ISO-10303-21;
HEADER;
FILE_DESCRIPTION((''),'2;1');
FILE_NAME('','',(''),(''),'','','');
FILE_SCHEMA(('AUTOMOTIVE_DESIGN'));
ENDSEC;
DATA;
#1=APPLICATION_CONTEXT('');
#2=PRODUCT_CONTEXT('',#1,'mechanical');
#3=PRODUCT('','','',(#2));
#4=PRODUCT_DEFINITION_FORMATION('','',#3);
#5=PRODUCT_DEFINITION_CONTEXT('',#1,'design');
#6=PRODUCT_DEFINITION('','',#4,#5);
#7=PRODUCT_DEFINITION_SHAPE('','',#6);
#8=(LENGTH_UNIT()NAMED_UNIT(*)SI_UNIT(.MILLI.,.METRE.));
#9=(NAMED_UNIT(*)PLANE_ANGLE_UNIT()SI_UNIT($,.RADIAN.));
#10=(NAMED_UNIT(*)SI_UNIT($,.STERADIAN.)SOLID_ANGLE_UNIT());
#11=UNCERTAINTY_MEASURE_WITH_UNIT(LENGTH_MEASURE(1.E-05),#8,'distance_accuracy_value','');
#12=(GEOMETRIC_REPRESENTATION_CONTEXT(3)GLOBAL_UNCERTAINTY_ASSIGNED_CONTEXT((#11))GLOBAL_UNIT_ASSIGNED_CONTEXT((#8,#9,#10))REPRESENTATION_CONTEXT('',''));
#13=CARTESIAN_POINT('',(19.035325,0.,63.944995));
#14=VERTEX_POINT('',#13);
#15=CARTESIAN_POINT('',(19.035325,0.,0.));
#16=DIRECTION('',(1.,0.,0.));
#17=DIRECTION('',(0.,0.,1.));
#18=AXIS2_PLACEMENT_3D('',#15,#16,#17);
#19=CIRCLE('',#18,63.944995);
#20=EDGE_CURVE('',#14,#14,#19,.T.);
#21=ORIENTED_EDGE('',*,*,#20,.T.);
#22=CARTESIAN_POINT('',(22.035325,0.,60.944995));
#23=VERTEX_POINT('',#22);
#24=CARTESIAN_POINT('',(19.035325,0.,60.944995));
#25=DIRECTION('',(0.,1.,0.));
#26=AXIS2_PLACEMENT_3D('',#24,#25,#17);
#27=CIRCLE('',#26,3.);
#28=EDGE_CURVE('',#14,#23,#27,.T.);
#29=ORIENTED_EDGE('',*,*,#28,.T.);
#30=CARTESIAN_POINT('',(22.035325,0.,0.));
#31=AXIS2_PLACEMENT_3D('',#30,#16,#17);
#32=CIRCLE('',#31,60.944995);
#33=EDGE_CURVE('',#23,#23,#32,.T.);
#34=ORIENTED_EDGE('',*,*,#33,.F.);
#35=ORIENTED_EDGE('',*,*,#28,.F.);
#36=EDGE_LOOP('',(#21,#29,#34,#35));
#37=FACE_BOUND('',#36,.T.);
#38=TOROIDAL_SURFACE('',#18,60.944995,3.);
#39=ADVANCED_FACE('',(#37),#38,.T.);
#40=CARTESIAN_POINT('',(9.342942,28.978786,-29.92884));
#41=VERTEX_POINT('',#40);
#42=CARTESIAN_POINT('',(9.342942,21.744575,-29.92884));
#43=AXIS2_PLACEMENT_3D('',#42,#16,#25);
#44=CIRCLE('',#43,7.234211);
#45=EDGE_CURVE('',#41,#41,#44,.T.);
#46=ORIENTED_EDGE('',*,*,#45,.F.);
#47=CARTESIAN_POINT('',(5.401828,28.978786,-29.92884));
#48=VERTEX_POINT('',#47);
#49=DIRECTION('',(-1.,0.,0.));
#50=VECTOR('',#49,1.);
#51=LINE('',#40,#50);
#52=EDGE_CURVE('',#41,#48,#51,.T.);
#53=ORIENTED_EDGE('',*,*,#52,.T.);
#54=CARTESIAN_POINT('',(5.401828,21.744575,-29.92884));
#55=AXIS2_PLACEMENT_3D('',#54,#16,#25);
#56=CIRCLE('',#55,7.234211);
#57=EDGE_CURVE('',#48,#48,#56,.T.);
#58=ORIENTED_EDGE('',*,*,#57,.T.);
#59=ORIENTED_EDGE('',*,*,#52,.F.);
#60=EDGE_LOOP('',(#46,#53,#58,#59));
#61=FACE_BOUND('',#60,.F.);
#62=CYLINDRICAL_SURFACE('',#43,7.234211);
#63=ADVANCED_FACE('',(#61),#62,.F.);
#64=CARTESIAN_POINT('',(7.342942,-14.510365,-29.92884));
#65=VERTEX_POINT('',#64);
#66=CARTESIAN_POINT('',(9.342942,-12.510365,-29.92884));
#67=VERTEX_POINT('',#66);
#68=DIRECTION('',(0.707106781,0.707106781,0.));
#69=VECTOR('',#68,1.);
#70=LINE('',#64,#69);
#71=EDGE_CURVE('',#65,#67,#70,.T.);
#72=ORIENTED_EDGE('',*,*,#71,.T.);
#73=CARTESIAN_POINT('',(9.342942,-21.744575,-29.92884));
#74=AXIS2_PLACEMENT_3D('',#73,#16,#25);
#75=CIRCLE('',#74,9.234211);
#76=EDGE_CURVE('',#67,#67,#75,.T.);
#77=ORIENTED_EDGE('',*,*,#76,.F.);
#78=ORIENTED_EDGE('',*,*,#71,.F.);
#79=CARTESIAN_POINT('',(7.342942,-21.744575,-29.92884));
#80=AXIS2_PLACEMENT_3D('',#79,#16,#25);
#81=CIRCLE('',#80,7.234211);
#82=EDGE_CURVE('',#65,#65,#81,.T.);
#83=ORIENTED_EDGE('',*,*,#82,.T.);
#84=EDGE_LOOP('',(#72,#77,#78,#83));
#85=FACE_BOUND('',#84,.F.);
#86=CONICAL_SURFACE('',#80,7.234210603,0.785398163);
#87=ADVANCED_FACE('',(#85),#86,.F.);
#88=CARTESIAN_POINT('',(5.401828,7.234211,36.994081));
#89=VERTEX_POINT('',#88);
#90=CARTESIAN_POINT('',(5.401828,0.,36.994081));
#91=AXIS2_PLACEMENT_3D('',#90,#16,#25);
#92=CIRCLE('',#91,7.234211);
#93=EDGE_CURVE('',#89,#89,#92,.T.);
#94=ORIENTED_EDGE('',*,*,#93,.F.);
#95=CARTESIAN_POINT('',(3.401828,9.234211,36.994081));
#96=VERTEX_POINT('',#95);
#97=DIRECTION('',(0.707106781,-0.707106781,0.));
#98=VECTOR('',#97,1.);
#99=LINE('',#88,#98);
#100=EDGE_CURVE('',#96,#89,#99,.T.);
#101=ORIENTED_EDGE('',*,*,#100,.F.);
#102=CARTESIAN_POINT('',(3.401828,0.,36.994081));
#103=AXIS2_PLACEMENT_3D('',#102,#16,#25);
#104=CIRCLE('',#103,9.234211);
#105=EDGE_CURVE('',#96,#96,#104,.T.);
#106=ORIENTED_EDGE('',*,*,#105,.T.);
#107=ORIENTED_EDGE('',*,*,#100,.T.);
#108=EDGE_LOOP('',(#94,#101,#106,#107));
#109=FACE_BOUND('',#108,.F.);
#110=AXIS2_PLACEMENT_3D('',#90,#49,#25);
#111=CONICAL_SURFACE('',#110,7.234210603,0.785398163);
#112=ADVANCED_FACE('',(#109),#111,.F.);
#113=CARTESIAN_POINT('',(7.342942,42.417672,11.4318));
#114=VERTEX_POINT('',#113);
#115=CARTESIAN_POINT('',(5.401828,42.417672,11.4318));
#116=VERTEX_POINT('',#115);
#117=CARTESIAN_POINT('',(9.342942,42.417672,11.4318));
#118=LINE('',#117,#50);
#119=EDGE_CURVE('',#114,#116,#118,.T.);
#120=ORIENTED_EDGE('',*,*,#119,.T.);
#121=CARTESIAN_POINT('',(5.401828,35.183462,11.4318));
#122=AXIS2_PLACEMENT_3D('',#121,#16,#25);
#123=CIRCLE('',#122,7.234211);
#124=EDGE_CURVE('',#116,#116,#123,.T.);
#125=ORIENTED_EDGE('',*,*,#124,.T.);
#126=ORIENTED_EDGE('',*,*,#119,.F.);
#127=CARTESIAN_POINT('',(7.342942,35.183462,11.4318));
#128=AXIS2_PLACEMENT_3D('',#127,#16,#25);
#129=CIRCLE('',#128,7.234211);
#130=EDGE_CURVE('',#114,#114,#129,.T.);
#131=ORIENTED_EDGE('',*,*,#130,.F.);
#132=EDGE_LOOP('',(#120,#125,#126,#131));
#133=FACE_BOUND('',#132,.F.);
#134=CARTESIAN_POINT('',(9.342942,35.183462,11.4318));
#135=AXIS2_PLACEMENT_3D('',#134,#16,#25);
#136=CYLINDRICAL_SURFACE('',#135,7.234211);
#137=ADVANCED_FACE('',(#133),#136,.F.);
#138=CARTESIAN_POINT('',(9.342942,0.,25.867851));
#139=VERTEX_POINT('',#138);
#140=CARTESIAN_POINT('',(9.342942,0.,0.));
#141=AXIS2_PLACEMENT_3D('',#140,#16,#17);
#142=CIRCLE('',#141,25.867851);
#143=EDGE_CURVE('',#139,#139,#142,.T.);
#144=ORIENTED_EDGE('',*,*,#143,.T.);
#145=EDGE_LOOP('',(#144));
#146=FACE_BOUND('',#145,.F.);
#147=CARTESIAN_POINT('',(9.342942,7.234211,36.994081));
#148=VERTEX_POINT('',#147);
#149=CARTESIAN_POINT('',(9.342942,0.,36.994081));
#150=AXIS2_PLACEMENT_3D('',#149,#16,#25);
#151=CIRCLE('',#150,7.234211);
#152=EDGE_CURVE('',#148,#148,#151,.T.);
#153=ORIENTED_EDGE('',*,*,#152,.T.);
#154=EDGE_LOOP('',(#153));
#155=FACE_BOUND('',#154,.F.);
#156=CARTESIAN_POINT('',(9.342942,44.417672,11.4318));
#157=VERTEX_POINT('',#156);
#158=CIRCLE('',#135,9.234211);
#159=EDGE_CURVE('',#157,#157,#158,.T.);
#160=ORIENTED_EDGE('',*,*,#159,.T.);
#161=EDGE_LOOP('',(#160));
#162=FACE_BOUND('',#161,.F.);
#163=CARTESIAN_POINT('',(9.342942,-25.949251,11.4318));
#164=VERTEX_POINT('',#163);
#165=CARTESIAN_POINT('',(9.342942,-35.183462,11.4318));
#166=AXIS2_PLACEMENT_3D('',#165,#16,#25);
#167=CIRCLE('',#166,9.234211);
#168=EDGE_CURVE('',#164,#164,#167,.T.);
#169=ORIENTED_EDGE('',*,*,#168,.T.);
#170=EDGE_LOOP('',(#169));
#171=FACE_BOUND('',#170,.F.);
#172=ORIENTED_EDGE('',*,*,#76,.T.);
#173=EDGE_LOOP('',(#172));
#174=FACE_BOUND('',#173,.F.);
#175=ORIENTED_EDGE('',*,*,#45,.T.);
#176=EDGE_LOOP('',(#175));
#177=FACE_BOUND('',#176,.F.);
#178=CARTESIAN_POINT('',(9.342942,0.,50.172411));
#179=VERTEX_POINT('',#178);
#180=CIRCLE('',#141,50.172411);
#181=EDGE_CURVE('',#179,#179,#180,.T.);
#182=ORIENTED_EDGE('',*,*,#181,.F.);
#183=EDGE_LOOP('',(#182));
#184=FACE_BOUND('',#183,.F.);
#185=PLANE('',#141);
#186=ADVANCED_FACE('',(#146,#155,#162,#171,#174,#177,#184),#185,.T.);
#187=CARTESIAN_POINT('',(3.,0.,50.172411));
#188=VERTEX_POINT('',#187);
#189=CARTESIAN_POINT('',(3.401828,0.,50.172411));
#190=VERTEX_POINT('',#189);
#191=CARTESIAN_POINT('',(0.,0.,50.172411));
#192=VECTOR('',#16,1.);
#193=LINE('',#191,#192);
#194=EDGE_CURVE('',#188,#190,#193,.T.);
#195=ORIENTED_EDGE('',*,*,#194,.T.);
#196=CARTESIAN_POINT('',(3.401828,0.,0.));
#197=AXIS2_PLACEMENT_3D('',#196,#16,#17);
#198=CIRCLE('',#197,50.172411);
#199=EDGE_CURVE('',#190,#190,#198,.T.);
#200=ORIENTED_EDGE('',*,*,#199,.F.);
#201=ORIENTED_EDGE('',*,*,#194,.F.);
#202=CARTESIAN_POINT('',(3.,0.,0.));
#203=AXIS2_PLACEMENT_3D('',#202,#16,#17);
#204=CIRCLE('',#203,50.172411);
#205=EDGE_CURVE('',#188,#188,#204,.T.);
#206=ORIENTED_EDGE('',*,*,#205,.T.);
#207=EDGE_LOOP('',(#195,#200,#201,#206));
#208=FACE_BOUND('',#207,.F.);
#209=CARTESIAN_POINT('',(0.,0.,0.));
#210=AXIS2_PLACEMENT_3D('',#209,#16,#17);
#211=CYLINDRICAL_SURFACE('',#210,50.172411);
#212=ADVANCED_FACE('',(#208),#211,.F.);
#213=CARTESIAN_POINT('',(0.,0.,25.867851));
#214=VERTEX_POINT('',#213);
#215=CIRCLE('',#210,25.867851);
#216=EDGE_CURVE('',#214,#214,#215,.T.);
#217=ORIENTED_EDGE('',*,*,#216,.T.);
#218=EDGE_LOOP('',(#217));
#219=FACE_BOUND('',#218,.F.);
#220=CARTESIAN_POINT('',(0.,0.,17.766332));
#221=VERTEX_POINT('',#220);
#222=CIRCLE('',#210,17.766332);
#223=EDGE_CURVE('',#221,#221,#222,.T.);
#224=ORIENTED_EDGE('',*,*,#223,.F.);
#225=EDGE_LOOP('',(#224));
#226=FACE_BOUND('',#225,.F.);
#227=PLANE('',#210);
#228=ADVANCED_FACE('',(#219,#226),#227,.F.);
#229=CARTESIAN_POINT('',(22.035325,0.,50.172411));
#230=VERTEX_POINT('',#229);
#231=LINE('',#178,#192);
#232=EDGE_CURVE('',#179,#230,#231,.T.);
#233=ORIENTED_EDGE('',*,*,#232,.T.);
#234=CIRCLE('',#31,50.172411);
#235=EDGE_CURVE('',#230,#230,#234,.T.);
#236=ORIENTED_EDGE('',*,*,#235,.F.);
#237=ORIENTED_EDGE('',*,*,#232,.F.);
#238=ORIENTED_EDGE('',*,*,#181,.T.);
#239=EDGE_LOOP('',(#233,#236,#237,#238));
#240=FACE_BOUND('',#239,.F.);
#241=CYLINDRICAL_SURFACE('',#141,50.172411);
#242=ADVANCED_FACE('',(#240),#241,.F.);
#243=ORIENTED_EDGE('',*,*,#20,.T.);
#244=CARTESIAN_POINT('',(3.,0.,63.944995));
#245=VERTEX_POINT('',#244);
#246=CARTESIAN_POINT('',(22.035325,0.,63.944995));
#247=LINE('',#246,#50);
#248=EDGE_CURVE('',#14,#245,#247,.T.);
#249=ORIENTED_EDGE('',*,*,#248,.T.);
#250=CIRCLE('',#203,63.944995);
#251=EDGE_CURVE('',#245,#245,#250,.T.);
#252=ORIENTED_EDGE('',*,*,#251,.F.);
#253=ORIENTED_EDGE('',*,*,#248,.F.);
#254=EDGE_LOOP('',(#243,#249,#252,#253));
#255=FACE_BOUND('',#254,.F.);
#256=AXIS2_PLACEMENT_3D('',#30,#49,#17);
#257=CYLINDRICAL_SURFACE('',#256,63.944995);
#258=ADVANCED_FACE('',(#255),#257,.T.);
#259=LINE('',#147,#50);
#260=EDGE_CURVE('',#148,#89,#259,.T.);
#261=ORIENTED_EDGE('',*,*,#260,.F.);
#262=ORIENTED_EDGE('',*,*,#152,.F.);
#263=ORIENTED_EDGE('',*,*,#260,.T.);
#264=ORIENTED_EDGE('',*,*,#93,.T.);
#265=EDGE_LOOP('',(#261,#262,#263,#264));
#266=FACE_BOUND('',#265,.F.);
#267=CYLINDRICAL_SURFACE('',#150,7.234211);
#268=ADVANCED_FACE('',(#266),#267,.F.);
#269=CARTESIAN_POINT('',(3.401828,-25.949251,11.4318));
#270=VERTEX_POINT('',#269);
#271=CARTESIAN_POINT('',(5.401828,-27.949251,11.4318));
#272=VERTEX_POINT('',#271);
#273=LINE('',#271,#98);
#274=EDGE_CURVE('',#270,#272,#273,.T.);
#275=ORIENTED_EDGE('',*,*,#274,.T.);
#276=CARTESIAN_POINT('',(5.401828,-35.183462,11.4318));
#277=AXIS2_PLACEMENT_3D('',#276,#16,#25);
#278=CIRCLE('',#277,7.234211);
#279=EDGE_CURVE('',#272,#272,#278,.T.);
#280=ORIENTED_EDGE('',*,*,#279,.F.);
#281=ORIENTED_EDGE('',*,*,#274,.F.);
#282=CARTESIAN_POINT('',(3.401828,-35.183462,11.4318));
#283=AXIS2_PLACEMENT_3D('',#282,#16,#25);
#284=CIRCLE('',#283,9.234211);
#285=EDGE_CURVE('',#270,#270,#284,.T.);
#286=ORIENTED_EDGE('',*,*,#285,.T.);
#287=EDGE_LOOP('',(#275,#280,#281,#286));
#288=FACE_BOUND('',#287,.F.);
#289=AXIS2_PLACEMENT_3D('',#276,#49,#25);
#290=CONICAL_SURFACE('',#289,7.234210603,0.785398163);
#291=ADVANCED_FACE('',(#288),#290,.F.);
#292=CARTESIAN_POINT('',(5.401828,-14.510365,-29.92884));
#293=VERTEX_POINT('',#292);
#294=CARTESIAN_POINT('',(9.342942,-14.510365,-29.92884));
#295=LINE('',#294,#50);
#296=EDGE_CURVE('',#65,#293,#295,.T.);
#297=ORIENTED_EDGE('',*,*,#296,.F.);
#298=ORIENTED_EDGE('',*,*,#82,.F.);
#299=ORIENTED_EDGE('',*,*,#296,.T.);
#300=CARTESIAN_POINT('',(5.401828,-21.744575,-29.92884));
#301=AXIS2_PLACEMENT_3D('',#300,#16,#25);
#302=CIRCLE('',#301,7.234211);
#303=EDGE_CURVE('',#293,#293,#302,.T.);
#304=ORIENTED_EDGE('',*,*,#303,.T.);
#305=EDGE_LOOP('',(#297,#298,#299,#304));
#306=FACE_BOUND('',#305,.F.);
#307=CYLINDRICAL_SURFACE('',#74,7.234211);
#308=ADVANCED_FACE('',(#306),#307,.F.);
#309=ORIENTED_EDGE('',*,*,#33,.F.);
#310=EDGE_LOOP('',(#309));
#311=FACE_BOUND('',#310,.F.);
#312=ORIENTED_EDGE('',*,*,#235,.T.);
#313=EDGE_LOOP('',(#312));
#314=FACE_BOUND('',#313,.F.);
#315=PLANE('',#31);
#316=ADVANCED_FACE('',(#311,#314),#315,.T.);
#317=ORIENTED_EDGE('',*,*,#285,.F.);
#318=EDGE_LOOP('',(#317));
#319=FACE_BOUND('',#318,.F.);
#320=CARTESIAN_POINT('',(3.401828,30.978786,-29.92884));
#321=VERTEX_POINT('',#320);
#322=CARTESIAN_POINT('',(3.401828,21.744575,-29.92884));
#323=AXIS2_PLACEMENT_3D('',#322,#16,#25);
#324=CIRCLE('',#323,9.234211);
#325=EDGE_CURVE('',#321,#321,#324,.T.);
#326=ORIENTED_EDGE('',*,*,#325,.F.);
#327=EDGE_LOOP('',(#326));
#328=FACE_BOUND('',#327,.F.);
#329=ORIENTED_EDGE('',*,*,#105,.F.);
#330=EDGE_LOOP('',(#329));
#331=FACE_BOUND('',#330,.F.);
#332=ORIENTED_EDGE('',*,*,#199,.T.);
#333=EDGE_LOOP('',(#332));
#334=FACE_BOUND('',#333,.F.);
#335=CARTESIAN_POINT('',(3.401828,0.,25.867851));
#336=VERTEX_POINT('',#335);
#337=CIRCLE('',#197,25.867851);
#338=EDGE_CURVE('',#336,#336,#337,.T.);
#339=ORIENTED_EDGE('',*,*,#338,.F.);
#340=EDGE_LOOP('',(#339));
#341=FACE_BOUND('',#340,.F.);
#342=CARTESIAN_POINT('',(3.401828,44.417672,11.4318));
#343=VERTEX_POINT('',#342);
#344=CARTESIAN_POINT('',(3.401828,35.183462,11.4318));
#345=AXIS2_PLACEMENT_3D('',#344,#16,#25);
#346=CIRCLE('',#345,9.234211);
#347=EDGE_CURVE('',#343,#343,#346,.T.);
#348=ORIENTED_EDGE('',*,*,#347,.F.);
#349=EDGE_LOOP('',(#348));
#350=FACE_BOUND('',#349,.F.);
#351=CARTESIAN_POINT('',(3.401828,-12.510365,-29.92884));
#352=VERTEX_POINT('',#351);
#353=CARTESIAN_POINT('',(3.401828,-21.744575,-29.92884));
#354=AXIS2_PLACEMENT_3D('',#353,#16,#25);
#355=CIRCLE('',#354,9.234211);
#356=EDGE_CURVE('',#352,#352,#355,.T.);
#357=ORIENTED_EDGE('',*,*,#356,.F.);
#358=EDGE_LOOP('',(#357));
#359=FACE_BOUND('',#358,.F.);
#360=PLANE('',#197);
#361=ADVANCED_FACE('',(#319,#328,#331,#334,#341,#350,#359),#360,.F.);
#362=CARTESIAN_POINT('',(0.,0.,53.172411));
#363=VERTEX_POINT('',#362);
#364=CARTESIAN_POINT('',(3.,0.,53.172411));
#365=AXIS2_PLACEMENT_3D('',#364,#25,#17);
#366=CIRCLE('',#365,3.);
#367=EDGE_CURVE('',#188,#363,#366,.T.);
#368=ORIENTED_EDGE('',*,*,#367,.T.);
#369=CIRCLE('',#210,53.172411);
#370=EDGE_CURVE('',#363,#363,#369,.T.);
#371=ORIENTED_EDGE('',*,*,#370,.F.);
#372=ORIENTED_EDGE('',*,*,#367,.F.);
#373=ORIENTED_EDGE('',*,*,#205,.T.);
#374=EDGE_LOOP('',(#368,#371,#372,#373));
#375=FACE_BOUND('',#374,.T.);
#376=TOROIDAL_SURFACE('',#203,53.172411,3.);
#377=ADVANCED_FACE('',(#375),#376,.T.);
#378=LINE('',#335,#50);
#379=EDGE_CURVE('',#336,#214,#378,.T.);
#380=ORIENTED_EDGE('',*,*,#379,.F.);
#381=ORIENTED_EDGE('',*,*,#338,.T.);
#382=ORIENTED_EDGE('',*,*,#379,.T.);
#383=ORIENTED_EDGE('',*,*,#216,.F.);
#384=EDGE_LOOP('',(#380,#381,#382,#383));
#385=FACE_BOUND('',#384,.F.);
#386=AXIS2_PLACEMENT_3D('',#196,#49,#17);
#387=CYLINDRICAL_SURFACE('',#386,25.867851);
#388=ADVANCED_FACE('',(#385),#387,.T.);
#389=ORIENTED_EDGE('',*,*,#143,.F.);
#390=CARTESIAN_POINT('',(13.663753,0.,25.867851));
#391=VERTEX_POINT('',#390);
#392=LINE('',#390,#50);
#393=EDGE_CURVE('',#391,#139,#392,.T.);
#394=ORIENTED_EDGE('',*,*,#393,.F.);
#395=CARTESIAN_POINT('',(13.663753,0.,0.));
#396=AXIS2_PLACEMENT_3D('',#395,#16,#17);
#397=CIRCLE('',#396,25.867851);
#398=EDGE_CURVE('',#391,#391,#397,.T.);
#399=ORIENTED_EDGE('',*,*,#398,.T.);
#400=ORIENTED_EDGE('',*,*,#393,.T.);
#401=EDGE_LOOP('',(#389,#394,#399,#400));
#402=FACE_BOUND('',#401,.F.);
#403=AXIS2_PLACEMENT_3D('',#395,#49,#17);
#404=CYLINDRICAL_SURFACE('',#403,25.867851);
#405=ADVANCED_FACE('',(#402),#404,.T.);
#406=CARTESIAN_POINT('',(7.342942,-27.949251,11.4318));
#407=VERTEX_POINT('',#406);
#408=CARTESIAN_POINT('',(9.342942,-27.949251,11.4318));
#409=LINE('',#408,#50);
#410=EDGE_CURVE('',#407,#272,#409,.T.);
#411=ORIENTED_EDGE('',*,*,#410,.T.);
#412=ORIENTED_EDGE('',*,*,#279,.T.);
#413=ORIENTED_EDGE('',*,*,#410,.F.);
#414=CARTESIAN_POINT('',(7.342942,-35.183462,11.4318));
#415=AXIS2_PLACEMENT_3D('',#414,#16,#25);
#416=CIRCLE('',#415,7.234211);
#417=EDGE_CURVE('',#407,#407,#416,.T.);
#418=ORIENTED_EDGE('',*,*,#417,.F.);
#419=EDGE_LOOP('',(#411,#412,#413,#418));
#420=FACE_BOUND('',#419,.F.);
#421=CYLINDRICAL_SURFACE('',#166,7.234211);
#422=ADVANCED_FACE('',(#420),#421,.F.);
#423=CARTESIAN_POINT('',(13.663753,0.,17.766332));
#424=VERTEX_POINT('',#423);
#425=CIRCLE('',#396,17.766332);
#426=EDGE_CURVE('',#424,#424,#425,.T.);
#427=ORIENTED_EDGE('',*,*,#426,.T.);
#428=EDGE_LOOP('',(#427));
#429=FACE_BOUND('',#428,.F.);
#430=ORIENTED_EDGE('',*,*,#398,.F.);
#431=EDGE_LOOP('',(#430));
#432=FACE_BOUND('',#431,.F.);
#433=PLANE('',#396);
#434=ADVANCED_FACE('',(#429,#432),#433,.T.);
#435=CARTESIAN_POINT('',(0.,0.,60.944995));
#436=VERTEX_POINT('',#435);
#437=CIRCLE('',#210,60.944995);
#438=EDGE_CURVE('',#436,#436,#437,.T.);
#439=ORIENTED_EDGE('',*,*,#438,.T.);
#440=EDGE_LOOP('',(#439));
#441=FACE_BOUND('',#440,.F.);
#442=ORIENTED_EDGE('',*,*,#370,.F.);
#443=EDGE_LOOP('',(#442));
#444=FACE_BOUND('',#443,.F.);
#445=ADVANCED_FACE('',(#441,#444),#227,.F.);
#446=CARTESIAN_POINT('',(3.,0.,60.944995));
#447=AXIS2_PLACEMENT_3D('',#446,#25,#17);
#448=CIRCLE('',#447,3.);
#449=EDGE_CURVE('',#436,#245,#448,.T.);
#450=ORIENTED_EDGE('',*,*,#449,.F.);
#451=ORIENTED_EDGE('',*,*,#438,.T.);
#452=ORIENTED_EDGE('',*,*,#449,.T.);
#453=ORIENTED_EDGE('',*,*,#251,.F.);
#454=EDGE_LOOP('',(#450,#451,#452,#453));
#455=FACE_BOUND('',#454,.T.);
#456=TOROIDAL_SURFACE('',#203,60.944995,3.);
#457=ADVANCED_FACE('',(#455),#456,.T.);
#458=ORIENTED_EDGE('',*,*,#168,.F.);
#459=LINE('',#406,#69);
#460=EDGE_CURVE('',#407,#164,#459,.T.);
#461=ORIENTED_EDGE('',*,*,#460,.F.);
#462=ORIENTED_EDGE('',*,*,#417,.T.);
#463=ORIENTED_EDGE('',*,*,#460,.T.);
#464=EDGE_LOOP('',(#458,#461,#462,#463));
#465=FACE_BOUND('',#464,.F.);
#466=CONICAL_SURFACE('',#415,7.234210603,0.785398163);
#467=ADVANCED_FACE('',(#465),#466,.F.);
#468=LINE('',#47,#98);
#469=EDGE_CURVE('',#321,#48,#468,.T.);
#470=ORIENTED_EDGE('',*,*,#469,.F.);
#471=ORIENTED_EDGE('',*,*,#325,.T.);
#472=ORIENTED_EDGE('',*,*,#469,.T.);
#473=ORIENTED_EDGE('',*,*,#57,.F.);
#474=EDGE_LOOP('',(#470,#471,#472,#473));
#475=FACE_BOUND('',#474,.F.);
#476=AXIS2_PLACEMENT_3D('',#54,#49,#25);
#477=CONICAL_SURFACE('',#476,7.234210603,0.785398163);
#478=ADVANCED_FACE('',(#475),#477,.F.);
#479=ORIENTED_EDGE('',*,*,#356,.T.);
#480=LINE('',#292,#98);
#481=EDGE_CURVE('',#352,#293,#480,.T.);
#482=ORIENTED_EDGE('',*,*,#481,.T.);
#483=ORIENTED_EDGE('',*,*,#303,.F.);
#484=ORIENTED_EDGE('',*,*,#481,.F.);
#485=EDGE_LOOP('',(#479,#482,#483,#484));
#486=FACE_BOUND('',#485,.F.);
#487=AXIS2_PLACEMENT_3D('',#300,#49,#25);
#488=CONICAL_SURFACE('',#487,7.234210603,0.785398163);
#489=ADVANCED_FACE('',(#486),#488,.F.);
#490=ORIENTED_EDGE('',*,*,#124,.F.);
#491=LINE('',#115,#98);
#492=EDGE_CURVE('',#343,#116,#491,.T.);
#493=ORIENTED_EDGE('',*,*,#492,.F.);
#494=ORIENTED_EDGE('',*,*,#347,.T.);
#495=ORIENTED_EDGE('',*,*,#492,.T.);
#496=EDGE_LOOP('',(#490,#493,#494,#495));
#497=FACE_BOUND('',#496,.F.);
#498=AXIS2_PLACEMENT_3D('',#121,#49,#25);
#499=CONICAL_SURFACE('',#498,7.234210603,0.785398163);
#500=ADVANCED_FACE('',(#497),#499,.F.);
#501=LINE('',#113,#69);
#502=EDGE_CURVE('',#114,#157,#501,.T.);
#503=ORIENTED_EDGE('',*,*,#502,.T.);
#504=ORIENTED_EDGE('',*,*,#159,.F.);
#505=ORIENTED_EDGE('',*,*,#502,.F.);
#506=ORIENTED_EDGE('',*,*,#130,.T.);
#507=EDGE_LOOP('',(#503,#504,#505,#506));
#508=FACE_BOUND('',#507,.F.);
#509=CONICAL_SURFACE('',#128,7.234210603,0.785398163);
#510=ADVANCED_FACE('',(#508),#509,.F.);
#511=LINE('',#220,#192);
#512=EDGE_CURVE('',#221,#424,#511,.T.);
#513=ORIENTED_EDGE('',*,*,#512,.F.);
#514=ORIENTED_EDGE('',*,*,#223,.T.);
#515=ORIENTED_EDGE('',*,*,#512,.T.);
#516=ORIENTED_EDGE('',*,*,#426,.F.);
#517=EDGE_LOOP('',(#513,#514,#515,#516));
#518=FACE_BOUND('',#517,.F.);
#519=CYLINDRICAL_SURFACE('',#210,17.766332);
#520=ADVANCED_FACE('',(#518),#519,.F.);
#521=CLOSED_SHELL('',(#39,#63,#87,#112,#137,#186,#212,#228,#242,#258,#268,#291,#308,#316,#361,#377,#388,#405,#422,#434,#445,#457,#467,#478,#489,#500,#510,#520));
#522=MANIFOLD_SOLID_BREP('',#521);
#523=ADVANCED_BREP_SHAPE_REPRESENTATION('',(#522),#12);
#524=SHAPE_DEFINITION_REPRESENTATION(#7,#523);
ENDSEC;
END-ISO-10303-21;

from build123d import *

# Parameters (mm, degrees)
F2_R     = 7.2342106025
F3_DEPTH = 25
F4_R     = 3
F5_SIZE  = 2


with BuildPart() as f1:
    # F0 (on Front) → F1 (revolve)
    with BuildSketch(Plane.XZ):
        Polygon((0, 25.867851451), (0, 17.7663322538), (13.6637529358, 17.7663322538), (13.6637529358, 25.867851451), (9.3429423869, 25.867851451), (9.3429423869, 50.1724109054), (22.035324946, 50.1724109054), (22.035324946, 63.9449954033), (0, 63.9449954033), (0, 50.1724109054), (3.4018275328, 50.1724109054), (3.4018275328, 25.867851451), align=None)
    revolve(axis=Axis((6.8318764679, 0, 0), (1, 0, 0)))

    # F2 (on face) → F3 (cut)
    with BuildSketch(Plane.YZ.offset(9.3429423869)):
        with Locations((0, 36.9940809906)):
            Circle(F2_R)
        with Locations((-21.7445752284, -29.9288402126)):
            Circle(F2_R)
        with Locations((21.7445752284, -29.9288402126)):
            Circle(F2_R)
        with Locations((35.1834617904, 11.4317997174)):
            Circle(F2_R)
        with Locations((-35.1834617904, 11.4317997174)):
            Circle(F2_R)
    extrude(amount=-F3_DEPTH, mode=Mode.SUBTRACT)

    # F4
    f4_edges = [f1.edges().sort_by_distance(p)[0] for p in [
        (22.035325, 0, -63.944995),
        (0, 0, -63.944995),
        (0, 0, -50.172411),
    ]]
    fillet(f4_edges, radius=F4_R)

    # F5
    f5_edges = [f1.edges().sort_by_distance(p)[0] for p in [
        (3.401828, -7.234211, 36.994081),
        (9.342942, 27.949251, 11.4318),
        (6.372385, 42.417672, 11.4318),
        (3.401828, 27.949251, 11.4318),
        (9.342942, -42.417672, 11.4318),
        (6.372385, -27.949251, 11.4318),
        (3.401828, -42.417672, 11.4318),
        (9.342942, -28.978786, -29.92884),
        (6.372385, -14.510365, -29.92884),
        (3.401828, -28.978786, -29.92884),
        (3.401828, 14.510365, -29.92884),
    ]]
    chamfer(f5_edges, length=F5_SIZE)


solid = f1.part
